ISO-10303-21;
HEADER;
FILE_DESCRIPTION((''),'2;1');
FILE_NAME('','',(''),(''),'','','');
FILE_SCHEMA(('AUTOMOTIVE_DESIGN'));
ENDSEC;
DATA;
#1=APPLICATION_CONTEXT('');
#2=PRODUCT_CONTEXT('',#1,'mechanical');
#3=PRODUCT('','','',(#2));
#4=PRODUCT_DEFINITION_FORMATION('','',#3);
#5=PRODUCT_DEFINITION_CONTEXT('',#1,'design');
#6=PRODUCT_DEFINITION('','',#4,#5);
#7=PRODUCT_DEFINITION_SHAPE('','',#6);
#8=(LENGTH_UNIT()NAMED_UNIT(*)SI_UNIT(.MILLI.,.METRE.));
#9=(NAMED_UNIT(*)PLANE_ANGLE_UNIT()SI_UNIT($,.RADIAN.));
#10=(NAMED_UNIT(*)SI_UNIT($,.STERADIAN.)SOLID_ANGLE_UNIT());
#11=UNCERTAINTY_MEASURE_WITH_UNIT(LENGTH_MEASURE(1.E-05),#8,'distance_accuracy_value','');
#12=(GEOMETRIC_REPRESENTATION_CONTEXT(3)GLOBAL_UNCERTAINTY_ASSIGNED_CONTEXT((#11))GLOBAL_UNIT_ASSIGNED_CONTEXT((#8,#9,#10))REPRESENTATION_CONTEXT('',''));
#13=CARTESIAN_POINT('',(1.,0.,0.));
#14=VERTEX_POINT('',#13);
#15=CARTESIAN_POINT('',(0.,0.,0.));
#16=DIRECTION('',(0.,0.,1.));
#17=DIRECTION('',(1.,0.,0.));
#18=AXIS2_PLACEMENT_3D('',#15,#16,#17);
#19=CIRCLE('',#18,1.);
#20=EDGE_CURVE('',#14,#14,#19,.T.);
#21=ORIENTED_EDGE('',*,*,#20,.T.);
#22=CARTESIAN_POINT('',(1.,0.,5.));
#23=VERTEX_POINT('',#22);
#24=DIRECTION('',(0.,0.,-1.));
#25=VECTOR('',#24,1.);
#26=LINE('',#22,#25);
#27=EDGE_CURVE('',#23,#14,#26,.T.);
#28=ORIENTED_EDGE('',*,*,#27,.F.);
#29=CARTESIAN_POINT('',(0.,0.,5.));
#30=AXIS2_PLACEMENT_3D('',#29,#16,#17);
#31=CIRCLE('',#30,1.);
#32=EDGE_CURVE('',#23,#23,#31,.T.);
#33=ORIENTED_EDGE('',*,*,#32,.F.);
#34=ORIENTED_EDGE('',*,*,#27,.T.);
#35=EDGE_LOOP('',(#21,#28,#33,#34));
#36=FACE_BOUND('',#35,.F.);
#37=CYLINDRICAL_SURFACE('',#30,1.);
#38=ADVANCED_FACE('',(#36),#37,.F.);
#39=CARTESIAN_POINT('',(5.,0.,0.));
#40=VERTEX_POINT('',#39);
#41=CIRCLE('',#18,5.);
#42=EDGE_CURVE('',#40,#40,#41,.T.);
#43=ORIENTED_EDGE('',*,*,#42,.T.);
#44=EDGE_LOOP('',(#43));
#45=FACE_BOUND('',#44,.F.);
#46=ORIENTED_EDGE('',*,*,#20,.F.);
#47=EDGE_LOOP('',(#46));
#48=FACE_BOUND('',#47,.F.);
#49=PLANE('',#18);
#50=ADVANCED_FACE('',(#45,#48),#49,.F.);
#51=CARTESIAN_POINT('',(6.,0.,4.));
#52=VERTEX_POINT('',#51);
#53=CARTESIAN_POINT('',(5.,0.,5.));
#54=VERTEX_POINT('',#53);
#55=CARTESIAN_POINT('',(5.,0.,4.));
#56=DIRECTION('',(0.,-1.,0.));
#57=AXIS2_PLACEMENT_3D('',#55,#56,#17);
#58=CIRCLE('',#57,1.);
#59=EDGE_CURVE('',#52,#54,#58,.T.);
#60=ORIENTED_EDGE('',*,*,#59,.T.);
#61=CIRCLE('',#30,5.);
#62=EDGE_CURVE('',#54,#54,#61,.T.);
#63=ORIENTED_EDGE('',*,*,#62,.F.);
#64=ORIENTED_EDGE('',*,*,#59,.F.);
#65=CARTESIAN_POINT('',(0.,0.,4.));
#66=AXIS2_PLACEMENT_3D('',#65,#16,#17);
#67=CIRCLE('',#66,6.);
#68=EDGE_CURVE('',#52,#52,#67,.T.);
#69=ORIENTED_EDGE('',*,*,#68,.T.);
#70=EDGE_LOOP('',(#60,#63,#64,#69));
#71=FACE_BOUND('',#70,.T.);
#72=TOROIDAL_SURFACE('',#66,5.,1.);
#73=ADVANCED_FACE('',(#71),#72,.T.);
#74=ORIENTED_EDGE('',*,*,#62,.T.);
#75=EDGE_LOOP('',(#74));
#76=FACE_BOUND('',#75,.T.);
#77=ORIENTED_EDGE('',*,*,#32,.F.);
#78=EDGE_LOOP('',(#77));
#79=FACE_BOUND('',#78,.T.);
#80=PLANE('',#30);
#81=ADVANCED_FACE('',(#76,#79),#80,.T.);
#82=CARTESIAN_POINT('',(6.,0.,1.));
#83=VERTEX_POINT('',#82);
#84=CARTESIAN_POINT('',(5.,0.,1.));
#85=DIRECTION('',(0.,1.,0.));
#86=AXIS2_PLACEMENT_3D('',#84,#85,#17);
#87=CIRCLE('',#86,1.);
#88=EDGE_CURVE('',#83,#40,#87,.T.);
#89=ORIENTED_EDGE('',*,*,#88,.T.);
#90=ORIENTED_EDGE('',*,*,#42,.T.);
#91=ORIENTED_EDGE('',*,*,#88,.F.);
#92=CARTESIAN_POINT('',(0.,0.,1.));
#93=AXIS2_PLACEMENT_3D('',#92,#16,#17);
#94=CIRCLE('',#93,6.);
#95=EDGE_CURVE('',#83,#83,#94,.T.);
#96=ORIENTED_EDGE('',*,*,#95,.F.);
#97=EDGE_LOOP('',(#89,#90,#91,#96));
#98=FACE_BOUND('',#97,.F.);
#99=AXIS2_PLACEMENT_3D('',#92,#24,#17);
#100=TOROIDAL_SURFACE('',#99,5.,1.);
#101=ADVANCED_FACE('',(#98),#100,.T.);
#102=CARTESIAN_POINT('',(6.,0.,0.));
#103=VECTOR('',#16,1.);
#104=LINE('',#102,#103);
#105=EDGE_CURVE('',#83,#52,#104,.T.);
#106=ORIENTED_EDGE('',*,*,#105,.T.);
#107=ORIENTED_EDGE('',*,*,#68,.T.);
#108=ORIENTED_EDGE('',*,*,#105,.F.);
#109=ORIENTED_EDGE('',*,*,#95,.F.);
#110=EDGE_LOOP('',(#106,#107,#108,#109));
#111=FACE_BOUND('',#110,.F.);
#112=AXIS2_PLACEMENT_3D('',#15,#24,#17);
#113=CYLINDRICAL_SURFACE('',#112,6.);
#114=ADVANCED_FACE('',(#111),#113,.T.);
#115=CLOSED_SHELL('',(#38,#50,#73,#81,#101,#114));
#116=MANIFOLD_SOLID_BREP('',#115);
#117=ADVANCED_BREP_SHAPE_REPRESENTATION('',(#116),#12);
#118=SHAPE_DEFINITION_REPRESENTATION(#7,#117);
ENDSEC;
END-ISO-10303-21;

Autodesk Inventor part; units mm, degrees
ref_plane "YZ Plane" through (0, 0, 0) normal (1, 0, 0) x (0, 1, 0)
ref_plane "XZ Plane" through (0, 0, 0) normal (0, 1, 0) x (-1, 0, 0)
ref_plane "XY Plane" through (0, 0, 0) normal (0, 0, 1) x (1, 0, 0)
sketch "Sketch1" plane through (0, 0, 0) normal (0, 0, 1) x (1, 0, 0)
  circle A0 centre (0, 0) radius 6
  dimension "d0" = 12
extrude "Extrusion1" add sketch "Sketch1" along normal blind 5
sketch "Sketch2" plane through (0, 0, 5) normal (0, 0, 1) x (1, 0, 0)
  circle A0 centre (0, 0) radius 1
  dimension "d3" = 2
extrude "Extrusion2" cut sketch "Sketch2" against normal blind 5
fillet "Fillet1" radius 1 2 edges at (-6, 0, 5) (-6, 0, 0)
properties part number "helmet mounting washers"
